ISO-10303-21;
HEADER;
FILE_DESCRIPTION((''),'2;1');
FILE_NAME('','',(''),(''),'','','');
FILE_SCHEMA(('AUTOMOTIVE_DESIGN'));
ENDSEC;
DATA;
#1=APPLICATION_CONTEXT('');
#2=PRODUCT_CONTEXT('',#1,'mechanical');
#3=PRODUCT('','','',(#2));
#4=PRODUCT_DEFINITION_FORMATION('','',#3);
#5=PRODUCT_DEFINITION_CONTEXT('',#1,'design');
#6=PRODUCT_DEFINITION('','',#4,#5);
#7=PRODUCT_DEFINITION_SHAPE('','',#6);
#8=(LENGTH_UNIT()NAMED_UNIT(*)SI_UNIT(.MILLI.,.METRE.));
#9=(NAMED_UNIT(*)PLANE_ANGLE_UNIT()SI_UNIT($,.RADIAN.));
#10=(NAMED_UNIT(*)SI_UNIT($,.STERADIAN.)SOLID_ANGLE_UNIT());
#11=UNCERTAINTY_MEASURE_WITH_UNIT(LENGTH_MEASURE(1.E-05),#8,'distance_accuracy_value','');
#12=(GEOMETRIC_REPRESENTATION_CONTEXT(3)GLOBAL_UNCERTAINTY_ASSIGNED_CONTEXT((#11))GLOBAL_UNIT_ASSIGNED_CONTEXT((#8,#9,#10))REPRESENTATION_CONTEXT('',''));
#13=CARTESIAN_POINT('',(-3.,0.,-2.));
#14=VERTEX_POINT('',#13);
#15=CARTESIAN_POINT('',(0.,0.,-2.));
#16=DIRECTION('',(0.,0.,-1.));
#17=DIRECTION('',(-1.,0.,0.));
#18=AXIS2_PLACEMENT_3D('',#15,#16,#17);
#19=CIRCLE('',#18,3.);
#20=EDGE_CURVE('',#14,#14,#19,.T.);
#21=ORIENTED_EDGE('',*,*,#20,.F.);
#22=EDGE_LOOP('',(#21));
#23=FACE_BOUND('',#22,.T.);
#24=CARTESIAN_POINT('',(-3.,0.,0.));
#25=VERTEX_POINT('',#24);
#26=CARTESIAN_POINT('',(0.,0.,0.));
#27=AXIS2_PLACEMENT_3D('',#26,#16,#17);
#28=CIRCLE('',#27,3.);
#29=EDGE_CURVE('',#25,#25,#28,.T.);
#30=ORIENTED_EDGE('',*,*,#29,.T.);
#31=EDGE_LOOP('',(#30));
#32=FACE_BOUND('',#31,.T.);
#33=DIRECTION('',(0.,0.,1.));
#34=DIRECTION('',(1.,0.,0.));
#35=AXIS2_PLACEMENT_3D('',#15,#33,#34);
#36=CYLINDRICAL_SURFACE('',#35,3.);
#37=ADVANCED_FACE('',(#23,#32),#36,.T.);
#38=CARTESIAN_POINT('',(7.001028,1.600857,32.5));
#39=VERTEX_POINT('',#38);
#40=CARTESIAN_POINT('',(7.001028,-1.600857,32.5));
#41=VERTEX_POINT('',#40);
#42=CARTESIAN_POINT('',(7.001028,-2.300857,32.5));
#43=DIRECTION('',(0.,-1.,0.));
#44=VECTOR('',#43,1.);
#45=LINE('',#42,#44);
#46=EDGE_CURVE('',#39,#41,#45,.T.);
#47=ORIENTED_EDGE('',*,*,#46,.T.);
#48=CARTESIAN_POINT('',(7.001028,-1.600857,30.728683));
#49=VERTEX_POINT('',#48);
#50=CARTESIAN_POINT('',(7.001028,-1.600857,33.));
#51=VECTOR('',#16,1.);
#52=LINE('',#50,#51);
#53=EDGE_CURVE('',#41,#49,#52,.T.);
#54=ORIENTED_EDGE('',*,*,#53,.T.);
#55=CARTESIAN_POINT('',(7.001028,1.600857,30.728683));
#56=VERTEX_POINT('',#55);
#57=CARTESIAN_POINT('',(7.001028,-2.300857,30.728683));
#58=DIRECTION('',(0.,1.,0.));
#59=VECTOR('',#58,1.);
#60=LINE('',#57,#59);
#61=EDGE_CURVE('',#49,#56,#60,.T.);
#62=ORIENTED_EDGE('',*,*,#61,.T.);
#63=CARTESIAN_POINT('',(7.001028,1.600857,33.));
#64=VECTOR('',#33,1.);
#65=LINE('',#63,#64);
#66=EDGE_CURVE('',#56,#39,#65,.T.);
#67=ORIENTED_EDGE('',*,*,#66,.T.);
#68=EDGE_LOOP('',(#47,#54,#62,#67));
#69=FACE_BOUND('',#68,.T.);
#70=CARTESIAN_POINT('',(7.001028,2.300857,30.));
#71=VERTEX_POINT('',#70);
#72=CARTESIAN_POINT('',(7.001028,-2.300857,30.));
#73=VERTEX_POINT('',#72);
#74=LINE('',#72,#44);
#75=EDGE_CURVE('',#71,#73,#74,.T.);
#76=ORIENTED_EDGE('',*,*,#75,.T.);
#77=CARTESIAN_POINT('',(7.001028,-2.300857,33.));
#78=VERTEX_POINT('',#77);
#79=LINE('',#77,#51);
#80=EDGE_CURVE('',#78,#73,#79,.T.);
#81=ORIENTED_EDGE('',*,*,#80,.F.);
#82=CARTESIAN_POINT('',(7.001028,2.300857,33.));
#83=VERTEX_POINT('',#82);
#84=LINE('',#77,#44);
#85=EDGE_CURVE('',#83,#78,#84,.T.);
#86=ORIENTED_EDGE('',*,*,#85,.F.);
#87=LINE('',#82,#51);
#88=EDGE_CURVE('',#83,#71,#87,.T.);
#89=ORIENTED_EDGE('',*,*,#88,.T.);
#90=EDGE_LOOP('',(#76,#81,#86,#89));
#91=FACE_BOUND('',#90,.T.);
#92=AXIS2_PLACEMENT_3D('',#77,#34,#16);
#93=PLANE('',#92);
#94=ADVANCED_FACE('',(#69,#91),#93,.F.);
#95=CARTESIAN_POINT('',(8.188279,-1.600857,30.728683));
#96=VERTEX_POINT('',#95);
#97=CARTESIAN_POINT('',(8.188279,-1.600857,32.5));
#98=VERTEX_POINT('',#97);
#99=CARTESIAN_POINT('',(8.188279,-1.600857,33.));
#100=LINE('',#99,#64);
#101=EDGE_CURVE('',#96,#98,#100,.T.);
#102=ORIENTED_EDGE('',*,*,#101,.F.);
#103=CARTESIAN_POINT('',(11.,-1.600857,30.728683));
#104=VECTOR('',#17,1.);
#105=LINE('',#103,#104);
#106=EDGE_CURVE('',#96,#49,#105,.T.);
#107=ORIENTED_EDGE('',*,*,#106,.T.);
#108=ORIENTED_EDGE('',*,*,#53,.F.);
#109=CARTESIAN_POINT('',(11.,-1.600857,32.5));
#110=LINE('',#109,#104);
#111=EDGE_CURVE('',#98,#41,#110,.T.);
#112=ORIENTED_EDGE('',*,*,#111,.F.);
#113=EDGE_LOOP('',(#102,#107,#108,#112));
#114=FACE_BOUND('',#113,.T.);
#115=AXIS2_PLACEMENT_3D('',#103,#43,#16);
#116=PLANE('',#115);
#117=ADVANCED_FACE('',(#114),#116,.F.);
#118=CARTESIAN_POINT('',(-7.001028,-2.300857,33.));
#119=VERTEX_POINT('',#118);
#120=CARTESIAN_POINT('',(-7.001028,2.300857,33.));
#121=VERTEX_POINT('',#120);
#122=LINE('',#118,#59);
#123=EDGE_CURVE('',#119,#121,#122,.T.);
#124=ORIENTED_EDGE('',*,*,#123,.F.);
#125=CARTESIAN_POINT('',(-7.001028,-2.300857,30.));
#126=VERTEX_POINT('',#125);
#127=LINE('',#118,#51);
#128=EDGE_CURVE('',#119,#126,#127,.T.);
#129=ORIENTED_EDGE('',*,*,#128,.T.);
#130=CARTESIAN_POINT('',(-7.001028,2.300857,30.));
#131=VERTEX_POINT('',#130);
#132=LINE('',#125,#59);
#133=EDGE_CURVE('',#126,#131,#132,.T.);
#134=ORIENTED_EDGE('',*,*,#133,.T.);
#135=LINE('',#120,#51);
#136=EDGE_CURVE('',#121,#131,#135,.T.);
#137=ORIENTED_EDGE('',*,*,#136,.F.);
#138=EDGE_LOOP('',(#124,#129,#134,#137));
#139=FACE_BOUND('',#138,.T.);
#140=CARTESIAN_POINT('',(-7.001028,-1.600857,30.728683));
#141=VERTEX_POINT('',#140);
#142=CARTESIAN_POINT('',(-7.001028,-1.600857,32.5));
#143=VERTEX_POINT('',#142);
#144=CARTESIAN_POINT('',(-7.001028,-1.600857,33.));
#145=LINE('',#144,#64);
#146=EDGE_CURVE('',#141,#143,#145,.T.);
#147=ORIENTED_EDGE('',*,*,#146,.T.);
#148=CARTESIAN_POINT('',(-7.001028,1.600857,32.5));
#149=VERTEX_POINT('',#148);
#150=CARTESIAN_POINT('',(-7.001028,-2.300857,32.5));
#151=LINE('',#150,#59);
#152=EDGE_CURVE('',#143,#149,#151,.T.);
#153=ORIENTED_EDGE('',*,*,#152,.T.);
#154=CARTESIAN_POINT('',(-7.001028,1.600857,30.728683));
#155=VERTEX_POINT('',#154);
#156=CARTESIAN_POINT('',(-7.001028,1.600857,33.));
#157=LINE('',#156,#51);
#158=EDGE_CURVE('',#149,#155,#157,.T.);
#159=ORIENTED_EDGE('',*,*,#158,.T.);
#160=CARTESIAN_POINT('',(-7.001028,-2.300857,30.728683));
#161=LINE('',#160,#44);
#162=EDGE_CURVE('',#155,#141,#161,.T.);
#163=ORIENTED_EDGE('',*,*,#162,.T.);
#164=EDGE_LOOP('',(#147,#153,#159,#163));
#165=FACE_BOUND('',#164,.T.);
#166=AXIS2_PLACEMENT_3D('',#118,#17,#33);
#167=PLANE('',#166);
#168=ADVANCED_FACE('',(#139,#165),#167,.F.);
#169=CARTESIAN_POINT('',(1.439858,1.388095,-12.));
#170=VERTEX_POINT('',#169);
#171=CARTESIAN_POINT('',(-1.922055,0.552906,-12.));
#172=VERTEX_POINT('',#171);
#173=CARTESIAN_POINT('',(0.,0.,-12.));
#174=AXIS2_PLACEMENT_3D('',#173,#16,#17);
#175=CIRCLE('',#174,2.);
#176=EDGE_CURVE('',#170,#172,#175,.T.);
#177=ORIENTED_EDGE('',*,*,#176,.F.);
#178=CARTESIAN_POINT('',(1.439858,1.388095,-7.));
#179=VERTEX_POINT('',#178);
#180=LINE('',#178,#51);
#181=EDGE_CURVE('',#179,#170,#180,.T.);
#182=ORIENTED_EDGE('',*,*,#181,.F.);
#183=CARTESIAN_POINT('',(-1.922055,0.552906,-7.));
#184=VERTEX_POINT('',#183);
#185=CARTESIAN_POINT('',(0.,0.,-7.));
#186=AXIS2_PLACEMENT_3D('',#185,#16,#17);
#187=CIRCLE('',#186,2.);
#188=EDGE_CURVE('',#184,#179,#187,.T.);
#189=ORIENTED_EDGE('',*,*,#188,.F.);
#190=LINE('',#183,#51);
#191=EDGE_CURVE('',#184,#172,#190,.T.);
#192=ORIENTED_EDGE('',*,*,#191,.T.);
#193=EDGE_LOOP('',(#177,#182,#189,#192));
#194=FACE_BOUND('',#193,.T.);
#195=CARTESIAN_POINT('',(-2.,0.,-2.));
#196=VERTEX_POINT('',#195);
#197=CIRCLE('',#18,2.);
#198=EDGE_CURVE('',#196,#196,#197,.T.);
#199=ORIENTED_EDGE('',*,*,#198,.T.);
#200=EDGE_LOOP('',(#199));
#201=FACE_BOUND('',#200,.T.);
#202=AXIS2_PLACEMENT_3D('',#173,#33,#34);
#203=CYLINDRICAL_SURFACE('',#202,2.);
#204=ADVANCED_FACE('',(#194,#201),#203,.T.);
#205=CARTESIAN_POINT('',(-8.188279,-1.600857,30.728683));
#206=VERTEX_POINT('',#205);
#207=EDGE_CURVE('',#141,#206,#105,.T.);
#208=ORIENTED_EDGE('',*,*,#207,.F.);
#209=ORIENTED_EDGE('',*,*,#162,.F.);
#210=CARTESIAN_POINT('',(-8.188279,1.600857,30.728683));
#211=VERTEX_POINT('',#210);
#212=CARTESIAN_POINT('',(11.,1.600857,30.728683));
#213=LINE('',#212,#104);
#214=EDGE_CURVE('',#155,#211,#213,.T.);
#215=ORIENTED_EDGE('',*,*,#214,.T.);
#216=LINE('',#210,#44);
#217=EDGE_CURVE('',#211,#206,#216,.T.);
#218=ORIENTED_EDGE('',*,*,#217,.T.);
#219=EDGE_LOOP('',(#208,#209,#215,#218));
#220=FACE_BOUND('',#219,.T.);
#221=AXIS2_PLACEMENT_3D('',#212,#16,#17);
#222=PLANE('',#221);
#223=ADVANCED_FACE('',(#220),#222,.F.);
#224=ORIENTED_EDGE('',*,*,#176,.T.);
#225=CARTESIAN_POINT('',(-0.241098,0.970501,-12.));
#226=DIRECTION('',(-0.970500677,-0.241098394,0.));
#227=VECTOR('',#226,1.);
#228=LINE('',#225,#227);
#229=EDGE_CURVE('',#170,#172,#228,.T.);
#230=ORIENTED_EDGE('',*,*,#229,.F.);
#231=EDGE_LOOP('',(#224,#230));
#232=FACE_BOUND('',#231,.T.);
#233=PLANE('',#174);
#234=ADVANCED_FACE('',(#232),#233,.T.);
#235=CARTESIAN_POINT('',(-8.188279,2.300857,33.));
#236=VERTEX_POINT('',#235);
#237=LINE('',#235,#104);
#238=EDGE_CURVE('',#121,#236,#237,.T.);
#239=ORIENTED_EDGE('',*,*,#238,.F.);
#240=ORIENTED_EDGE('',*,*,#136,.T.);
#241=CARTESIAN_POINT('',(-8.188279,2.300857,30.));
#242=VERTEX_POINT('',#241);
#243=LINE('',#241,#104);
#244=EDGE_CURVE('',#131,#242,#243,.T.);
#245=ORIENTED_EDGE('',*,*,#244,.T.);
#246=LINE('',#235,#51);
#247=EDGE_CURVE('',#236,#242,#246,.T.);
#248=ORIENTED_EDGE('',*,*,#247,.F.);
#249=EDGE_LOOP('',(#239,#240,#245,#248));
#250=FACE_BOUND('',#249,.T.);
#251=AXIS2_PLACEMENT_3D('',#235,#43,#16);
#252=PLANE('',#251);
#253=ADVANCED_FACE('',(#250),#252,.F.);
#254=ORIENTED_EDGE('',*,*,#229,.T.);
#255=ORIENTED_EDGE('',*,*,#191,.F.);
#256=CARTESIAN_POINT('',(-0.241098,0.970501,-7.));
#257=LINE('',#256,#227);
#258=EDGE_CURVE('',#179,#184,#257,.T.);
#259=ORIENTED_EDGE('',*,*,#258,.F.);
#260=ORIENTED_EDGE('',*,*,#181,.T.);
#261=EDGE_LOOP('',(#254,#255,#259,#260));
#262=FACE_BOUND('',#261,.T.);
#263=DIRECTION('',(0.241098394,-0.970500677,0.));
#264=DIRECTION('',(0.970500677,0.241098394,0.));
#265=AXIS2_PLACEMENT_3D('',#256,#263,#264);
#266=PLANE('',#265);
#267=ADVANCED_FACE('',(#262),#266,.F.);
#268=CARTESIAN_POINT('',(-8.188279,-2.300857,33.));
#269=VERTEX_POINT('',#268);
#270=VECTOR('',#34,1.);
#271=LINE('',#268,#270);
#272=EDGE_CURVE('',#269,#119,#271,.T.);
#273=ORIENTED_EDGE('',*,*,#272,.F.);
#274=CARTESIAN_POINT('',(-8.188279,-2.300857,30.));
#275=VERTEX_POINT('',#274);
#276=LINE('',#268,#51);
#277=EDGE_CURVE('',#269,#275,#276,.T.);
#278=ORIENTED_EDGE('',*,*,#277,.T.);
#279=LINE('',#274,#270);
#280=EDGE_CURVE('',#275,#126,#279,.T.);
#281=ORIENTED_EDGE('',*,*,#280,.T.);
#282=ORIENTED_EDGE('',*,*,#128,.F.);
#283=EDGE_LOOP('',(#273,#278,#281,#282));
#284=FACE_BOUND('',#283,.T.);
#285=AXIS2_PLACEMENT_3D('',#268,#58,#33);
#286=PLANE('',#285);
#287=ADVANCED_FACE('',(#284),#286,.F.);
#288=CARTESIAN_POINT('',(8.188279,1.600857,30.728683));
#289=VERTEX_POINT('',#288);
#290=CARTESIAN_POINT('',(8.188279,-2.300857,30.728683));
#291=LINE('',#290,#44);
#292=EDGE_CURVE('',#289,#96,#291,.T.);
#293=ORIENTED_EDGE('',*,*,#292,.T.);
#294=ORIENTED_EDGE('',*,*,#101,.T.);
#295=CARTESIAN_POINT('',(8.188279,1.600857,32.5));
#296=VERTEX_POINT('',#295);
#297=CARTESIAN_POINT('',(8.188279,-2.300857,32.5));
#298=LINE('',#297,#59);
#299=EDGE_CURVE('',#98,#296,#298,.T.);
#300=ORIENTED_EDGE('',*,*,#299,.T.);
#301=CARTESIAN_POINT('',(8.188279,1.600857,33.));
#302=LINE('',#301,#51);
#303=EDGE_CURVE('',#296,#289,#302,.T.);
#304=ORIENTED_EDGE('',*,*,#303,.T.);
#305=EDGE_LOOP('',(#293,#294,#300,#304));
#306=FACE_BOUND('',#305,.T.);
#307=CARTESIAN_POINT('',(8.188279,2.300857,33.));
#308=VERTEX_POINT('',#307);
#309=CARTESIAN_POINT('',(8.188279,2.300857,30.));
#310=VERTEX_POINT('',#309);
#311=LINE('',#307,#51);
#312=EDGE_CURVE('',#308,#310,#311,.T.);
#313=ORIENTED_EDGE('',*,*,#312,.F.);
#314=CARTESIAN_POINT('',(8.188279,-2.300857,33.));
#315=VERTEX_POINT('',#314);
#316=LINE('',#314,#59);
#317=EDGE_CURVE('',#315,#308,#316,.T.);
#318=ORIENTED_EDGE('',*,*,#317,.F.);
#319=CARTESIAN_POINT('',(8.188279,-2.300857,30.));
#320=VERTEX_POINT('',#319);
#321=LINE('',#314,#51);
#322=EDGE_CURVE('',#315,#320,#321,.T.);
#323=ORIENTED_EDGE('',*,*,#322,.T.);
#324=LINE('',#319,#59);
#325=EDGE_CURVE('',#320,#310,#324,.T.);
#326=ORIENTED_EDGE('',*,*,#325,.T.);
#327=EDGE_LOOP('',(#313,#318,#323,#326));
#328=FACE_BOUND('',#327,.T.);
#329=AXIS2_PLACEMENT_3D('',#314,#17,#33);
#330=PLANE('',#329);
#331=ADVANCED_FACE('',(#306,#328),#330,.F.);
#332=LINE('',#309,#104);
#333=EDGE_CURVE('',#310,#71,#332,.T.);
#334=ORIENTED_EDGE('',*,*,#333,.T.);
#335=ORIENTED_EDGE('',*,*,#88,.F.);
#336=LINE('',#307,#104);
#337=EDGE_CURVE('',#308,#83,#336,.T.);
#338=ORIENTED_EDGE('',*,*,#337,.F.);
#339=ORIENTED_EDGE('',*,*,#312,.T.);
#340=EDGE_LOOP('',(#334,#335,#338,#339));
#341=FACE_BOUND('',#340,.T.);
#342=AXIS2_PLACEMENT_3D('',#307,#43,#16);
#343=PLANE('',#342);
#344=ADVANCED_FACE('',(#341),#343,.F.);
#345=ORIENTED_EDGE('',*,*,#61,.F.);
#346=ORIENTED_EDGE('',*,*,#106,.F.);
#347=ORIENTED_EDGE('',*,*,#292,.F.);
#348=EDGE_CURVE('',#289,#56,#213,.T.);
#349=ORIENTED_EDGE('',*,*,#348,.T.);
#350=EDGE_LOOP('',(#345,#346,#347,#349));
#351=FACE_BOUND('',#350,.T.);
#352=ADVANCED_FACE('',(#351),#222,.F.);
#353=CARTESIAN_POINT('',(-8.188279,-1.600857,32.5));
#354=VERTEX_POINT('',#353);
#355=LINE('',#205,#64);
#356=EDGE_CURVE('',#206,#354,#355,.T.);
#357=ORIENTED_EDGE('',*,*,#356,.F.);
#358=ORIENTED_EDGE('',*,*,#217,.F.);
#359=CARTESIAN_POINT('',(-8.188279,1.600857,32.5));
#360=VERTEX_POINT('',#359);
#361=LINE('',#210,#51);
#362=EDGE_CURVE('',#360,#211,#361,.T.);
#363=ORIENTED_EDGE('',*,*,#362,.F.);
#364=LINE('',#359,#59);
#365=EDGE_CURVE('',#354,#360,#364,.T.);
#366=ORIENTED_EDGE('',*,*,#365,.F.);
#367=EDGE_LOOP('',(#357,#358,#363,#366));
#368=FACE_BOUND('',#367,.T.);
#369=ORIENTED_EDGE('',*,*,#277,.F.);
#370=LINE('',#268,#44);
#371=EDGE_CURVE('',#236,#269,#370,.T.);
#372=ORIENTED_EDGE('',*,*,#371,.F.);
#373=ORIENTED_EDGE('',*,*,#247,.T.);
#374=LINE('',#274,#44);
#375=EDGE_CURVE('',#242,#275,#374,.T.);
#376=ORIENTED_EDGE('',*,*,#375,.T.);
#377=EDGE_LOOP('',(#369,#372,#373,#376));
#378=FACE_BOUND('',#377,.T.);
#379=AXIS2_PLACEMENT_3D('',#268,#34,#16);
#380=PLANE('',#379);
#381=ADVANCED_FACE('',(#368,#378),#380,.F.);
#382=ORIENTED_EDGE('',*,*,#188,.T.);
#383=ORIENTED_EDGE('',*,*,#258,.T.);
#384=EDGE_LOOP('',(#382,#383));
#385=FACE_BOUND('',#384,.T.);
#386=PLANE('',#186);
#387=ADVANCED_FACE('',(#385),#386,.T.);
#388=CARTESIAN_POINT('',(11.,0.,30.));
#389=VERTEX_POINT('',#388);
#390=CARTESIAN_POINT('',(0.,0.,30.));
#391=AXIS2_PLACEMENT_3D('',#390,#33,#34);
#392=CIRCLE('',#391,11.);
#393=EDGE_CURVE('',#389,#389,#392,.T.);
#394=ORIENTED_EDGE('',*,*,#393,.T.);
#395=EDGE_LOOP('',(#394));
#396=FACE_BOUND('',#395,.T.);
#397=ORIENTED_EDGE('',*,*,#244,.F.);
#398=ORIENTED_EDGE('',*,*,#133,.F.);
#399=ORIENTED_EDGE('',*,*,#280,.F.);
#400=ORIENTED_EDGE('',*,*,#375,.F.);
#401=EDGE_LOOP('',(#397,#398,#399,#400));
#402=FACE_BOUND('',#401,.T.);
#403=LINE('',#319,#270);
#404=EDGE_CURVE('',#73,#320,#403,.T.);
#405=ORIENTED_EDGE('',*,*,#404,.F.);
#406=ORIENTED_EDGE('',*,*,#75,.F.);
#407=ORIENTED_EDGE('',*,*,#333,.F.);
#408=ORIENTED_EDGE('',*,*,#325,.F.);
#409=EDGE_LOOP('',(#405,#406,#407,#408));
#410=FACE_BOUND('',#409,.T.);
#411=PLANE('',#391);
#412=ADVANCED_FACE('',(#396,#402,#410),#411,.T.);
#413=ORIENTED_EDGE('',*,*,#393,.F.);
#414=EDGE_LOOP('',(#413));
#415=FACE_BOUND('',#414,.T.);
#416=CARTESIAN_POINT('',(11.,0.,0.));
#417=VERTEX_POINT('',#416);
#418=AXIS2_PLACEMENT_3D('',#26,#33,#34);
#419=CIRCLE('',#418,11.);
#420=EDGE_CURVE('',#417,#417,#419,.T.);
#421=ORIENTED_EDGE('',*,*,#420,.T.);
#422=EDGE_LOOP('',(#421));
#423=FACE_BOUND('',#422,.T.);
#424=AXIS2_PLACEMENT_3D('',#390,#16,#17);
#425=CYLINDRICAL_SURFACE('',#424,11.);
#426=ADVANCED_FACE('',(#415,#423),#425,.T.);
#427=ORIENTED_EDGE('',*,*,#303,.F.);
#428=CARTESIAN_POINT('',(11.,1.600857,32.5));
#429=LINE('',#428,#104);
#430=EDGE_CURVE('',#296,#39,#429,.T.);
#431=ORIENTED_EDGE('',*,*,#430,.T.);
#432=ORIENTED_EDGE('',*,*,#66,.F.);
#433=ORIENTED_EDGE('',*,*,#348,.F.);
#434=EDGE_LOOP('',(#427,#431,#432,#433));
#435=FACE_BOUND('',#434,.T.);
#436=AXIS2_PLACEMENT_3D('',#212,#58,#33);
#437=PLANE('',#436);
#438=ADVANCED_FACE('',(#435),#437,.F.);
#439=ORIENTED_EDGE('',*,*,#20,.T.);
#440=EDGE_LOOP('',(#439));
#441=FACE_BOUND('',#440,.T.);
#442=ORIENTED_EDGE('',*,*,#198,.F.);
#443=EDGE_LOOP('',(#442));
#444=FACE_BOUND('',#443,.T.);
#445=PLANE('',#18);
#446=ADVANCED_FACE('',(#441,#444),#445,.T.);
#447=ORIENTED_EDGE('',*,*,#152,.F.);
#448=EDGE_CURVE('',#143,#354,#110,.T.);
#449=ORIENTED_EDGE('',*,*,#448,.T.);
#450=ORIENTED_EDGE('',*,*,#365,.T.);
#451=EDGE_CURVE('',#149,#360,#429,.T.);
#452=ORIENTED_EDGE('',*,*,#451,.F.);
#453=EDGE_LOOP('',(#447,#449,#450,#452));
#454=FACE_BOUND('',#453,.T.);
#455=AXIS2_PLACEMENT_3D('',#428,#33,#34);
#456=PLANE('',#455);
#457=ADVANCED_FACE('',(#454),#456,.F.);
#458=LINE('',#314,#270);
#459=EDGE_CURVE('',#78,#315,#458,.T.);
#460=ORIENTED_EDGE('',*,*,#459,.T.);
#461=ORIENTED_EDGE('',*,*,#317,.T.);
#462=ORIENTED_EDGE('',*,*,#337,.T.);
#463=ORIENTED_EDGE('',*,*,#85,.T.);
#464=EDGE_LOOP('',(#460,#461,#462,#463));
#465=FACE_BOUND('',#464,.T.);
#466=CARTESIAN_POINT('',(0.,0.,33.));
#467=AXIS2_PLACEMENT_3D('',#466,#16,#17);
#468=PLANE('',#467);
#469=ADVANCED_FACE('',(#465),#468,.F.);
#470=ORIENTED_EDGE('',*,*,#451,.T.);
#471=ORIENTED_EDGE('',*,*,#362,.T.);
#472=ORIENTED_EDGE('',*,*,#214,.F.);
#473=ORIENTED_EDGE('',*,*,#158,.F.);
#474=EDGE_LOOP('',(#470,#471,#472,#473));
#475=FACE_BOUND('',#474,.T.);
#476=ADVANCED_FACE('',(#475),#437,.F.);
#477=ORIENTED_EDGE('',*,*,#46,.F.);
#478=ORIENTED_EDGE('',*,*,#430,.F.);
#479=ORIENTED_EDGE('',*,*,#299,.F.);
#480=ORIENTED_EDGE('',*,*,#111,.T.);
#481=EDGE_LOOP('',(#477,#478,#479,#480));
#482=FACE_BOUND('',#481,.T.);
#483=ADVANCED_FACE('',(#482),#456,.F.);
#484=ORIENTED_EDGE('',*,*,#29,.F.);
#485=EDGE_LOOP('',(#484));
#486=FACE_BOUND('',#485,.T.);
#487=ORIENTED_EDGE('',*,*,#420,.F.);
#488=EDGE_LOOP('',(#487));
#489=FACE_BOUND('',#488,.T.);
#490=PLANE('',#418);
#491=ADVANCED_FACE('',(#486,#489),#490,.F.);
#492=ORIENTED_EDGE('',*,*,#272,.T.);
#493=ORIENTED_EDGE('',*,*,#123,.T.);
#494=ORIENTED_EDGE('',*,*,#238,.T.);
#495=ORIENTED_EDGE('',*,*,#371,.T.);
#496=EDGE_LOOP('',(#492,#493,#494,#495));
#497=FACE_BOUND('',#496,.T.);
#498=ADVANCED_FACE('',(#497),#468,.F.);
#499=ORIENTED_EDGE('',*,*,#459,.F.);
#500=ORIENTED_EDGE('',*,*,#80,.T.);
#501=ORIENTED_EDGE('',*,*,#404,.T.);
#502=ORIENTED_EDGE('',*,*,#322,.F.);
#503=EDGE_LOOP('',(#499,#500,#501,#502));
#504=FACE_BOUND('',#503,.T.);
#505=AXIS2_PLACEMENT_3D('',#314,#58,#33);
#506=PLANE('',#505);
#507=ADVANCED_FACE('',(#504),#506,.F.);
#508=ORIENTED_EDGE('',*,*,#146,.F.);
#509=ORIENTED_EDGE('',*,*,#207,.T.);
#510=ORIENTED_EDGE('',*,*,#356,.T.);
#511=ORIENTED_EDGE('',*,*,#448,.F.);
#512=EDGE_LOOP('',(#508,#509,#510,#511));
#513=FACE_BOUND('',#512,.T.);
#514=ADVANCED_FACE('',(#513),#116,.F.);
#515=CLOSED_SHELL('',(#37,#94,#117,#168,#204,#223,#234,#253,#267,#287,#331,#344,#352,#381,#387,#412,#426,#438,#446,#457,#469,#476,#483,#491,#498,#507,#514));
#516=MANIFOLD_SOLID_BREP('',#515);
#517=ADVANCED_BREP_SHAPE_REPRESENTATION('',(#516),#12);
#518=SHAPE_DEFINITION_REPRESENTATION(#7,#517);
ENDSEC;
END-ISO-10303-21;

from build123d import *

# Parameters (mm, degrees)
SKETCH1_R           = 11
BOSS_EXTRUDE1_DEPTH = 30
SKETCH2_R           = 3
BOSS_EXTRUDE2_DEPTH = 2
SKETCH3_R           = 2
BOSS_EXTRUDE3_DEPTH = 10
SKETCH4_W           = 1.187251635
SKETCH4_H           = 4.601713706
BOSS_EXTRUDE4_DEPTH = 3
SKETCH5_W           = 1.771317087
SKETCH5_H           = 3.201713706
CUT_EXTRUDE1_DEPTH  = 40.726440378
CUT_EXTRUDE2_DEPTH  = 5


with BuildPart() as part:
    # Sketch1 → Boss-Extrude1 (new body)
    with BuildSketch(Plane.XY):
        Circle(SKETCH1_R)
    extrude(amount=BOSS_EXTRUDE1_DEPTH)

    # Sketch2 → Boss-Extrude2 (add)
    with BuildSketch(Plane(origin=(0, 0, 0), x_dir=(-1, 0, 0), z_dir=(0, 0, -1))):
        Circle(SKETCH2_R)
    extrude(amount=BOSS_EXTRUDE2_DEPTH)

    # Sketch3 → Boss-Extrude3 (add)
    with BuildSketch(Plane(origin=(0, 0, -2), x_dir=(-1, 0, 0), z_dir=(0, 0, -1))):
        Circle(SKETCH3_R)
    extrude(amount=BOSS_EXTRUDE3_DEPTH)

    # Sketch4 → Boss-Extrude4 (add)
    with BuildSketch(Plane.XY.offset(30)):
        with Locations((-7.594653551, 0)):
            Rectangle(SKETCH4_W, SKETCH4_H)
        with Locations((7.594653551, 0)):
            Rectangle(SKETCH4_W, SKETCH4_H)
    extrude(amount=BOSS_EXTRUDE4_DEPTH)

    # Sketch5 → Cut-Extrude1 (cut, through all)
    with BuildSketch(Plane.ZY.offset(8.188279368)):
        with Locations((31.614341457, 0)):
            Rectangle(SKETCH5_W, SKETCH5_H)
    extrude(amount=-CUT_EXTRUDE1_DEPTH, mode=Mode.SUBTRACT)

    # Sketch6 → Cut-Extrude2 (cut)
    with BuildSketch(Plane(origin=(0, 0, -12), x_dir=(-1, 0, 0), z_dir=(0, 0, -1))):
        Polygon((-45.221186331, 12.264551338), (-1.439858088, 1.388095345), (1.922054875, 0.55290601), (45.703383118, -10.323549984), (67.456295106, 77.239106502), (-23.468274343, 99.827207824), align=None)
    extrude(amount=-CUT_EXTRUDE2_DEPTH, mode=Mode.SUBTRACT)


solid = part.part
